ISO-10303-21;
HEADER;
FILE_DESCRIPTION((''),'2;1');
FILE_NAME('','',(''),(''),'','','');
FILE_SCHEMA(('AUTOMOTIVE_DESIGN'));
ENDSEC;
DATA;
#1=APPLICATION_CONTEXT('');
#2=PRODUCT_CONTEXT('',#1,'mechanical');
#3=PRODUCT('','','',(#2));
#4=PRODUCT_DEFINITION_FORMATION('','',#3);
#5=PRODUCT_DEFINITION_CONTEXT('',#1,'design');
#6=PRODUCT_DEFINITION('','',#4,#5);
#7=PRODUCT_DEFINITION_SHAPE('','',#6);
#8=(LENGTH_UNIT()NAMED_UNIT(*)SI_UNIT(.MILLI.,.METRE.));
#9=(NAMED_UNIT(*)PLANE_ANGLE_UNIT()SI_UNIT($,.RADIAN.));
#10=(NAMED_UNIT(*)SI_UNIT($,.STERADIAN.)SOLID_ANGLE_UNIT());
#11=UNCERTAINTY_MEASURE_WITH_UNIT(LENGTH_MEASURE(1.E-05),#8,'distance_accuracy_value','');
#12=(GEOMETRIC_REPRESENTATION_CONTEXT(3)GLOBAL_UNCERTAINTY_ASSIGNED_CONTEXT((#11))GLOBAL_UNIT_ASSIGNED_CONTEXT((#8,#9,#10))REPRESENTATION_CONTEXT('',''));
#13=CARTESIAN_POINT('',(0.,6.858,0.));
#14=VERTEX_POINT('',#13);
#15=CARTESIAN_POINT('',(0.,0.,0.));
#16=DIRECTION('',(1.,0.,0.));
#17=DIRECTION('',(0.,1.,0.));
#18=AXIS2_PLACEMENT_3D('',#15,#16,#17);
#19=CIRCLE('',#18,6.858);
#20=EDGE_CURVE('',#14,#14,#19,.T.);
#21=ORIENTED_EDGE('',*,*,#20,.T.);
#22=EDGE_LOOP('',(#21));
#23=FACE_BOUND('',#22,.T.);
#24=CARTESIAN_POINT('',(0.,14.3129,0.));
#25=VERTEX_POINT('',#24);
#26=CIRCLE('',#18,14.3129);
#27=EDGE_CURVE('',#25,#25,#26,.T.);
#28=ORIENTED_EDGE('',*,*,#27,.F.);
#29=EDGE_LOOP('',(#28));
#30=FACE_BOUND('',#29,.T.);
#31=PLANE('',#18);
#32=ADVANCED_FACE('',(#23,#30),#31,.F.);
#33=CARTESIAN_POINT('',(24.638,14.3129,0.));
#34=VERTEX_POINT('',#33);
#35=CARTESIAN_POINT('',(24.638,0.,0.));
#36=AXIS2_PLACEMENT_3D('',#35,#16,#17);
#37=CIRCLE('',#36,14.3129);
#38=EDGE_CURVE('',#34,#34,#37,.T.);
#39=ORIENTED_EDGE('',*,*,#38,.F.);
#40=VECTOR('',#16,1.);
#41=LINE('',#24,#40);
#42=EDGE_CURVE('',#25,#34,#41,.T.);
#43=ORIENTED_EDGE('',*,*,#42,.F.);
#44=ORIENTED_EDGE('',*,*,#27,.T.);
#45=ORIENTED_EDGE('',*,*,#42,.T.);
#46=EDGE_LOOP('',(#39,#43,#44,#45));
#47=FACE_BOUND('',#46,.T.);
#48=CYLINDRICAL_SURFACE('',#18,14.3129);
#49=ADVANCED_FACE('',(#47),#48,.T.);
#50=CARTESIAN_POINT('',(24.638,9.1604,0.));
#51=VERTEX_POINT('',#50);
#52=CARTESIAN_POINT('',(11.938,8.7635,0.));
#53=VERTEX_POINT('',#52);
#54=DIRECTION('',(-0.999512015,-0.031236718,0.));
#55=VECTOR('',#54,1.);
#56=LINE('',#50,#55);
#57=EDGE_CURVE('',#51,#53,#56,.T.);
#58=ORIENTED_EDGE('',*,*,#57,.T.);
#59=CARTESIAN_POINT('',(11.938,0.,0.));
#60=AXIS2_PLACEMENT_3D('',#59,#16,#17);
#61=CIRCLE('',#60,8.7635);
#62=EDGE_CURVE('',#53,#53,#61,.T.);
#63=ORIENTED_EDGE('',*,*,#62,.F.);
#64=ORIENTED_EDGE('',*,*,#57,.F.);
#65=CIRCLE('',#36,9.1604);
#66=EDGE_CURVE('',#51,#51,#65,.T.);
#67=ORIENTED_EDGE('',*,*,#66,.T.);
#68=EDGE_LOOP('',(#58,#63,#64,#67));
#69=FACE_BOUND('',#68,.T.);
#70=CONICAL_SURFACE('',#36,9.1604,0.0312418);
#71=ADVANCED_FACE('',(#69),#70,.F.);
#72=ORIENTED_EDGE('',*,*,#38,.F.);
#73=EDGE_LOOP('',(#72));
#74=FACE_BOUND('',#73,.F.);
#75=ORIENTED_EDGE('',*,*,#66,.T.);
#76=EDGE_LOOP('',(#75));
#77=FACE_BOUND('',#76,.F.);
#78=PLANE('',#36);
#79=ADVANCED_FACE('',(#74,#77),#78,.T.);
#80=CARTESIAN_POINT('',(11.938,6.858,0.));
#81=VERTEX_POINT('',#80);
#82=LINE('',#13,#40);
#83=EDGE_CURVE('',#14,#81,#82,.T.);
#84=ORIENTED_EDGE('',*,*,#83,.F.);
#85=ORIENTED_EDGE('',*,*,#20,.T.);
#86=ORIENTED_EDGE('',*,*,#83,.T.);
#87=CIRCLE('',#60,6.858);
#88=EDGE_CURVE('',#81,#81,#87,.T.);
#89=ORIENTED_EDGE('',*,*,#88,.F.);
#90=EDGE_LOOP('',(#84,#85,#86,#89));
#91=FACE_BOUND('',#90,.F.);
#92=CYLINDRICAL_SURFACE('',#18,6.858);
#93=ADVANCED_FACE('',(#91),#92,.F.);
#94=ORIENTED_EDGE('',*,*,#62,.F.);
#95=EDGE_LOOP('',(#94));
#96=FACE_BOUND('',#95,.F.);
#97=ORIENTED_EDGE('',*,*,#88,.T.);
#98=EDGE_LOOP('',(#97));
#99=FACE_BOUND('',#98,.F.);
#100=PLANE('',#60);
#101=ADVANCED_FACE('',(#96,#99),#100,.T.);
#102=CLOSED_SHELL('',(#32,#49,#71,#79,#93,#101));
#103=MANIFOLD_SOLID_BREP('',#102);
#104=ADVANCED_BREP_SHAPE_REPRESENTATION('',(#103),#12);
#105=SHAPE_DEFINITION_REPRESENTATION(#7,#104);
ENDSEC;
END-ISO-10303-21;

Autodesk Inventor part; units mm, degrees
ref_plane "YZ Plane" through (0, 0, 0) normal (1, 0, 0) x (0, 1, 0)
ref_plane "XZ Plane" through (0, 0, 0) normal (0, 1, 0) x (-1, 0, 0)
ref_plane "XY Plane" through (0, 0, 0) normal (0, 0, 1) x (1, 0, 0)
sketch "Sketch1" plane through (0, 0, 0) normal (0, 0, 1) x (1, 0, 0)
  line L0 (0, 6.858) -> (11.938, 6.858)
  line L1 (24.638, 9.1604) -> (24.638, 14.3129)
  line L2 (0, 14.3129) -> (24.638, 14.3129)
  line L3 (0, 0) -> (24.638, 0)
  line L4 (24.638, 9.1604) -> (24.638, 0) construction
  line L5 (0, 6.858) -> (0, 0) construction
  line L6 (0, 6.858) -> (0, 14.3129)
  line L7 (24.638, 9.1604) -> (11.938, 8.7635)
  line L8 (11.938, 6.858) -> (11.938, 8.7635)
  dimension "d0" = 28.6258
  dimension "d1" = 13.716
  dimension "d2" = 24.638
  dimension "d3" = 1.79
  dimension "d4" = 12.7
  dimension "d5" = 18.3208
revolve "Revolution1" add sketch "Sketch1" angle 360 about axis through (0, 0, 0) along (1, 0, 0)
thread "Thread1" size "1/2" designation "1/2 - 14 NPT" standard "NPT" full length
equation "\"d0\" = A1"
equation "\"d1\" = O2"
equation "\"d2\" = A"
equation "\"d4\" = G2"
equation "\"d5\" = MD2"
equation "\"A1\" = 28.6258"
equation "\"O2\" = 13.716"
equation "\"G2\" = 12.7"
equation "\"A\" = 24.638"
equation "\"MD2\" = 18.32077"
equation "\"Size_Designation\" = 1.2345"
properties part number "ASME B16.18 Flush Bushing FTG x F 1 x 1/2" material "Copper, Cast"
